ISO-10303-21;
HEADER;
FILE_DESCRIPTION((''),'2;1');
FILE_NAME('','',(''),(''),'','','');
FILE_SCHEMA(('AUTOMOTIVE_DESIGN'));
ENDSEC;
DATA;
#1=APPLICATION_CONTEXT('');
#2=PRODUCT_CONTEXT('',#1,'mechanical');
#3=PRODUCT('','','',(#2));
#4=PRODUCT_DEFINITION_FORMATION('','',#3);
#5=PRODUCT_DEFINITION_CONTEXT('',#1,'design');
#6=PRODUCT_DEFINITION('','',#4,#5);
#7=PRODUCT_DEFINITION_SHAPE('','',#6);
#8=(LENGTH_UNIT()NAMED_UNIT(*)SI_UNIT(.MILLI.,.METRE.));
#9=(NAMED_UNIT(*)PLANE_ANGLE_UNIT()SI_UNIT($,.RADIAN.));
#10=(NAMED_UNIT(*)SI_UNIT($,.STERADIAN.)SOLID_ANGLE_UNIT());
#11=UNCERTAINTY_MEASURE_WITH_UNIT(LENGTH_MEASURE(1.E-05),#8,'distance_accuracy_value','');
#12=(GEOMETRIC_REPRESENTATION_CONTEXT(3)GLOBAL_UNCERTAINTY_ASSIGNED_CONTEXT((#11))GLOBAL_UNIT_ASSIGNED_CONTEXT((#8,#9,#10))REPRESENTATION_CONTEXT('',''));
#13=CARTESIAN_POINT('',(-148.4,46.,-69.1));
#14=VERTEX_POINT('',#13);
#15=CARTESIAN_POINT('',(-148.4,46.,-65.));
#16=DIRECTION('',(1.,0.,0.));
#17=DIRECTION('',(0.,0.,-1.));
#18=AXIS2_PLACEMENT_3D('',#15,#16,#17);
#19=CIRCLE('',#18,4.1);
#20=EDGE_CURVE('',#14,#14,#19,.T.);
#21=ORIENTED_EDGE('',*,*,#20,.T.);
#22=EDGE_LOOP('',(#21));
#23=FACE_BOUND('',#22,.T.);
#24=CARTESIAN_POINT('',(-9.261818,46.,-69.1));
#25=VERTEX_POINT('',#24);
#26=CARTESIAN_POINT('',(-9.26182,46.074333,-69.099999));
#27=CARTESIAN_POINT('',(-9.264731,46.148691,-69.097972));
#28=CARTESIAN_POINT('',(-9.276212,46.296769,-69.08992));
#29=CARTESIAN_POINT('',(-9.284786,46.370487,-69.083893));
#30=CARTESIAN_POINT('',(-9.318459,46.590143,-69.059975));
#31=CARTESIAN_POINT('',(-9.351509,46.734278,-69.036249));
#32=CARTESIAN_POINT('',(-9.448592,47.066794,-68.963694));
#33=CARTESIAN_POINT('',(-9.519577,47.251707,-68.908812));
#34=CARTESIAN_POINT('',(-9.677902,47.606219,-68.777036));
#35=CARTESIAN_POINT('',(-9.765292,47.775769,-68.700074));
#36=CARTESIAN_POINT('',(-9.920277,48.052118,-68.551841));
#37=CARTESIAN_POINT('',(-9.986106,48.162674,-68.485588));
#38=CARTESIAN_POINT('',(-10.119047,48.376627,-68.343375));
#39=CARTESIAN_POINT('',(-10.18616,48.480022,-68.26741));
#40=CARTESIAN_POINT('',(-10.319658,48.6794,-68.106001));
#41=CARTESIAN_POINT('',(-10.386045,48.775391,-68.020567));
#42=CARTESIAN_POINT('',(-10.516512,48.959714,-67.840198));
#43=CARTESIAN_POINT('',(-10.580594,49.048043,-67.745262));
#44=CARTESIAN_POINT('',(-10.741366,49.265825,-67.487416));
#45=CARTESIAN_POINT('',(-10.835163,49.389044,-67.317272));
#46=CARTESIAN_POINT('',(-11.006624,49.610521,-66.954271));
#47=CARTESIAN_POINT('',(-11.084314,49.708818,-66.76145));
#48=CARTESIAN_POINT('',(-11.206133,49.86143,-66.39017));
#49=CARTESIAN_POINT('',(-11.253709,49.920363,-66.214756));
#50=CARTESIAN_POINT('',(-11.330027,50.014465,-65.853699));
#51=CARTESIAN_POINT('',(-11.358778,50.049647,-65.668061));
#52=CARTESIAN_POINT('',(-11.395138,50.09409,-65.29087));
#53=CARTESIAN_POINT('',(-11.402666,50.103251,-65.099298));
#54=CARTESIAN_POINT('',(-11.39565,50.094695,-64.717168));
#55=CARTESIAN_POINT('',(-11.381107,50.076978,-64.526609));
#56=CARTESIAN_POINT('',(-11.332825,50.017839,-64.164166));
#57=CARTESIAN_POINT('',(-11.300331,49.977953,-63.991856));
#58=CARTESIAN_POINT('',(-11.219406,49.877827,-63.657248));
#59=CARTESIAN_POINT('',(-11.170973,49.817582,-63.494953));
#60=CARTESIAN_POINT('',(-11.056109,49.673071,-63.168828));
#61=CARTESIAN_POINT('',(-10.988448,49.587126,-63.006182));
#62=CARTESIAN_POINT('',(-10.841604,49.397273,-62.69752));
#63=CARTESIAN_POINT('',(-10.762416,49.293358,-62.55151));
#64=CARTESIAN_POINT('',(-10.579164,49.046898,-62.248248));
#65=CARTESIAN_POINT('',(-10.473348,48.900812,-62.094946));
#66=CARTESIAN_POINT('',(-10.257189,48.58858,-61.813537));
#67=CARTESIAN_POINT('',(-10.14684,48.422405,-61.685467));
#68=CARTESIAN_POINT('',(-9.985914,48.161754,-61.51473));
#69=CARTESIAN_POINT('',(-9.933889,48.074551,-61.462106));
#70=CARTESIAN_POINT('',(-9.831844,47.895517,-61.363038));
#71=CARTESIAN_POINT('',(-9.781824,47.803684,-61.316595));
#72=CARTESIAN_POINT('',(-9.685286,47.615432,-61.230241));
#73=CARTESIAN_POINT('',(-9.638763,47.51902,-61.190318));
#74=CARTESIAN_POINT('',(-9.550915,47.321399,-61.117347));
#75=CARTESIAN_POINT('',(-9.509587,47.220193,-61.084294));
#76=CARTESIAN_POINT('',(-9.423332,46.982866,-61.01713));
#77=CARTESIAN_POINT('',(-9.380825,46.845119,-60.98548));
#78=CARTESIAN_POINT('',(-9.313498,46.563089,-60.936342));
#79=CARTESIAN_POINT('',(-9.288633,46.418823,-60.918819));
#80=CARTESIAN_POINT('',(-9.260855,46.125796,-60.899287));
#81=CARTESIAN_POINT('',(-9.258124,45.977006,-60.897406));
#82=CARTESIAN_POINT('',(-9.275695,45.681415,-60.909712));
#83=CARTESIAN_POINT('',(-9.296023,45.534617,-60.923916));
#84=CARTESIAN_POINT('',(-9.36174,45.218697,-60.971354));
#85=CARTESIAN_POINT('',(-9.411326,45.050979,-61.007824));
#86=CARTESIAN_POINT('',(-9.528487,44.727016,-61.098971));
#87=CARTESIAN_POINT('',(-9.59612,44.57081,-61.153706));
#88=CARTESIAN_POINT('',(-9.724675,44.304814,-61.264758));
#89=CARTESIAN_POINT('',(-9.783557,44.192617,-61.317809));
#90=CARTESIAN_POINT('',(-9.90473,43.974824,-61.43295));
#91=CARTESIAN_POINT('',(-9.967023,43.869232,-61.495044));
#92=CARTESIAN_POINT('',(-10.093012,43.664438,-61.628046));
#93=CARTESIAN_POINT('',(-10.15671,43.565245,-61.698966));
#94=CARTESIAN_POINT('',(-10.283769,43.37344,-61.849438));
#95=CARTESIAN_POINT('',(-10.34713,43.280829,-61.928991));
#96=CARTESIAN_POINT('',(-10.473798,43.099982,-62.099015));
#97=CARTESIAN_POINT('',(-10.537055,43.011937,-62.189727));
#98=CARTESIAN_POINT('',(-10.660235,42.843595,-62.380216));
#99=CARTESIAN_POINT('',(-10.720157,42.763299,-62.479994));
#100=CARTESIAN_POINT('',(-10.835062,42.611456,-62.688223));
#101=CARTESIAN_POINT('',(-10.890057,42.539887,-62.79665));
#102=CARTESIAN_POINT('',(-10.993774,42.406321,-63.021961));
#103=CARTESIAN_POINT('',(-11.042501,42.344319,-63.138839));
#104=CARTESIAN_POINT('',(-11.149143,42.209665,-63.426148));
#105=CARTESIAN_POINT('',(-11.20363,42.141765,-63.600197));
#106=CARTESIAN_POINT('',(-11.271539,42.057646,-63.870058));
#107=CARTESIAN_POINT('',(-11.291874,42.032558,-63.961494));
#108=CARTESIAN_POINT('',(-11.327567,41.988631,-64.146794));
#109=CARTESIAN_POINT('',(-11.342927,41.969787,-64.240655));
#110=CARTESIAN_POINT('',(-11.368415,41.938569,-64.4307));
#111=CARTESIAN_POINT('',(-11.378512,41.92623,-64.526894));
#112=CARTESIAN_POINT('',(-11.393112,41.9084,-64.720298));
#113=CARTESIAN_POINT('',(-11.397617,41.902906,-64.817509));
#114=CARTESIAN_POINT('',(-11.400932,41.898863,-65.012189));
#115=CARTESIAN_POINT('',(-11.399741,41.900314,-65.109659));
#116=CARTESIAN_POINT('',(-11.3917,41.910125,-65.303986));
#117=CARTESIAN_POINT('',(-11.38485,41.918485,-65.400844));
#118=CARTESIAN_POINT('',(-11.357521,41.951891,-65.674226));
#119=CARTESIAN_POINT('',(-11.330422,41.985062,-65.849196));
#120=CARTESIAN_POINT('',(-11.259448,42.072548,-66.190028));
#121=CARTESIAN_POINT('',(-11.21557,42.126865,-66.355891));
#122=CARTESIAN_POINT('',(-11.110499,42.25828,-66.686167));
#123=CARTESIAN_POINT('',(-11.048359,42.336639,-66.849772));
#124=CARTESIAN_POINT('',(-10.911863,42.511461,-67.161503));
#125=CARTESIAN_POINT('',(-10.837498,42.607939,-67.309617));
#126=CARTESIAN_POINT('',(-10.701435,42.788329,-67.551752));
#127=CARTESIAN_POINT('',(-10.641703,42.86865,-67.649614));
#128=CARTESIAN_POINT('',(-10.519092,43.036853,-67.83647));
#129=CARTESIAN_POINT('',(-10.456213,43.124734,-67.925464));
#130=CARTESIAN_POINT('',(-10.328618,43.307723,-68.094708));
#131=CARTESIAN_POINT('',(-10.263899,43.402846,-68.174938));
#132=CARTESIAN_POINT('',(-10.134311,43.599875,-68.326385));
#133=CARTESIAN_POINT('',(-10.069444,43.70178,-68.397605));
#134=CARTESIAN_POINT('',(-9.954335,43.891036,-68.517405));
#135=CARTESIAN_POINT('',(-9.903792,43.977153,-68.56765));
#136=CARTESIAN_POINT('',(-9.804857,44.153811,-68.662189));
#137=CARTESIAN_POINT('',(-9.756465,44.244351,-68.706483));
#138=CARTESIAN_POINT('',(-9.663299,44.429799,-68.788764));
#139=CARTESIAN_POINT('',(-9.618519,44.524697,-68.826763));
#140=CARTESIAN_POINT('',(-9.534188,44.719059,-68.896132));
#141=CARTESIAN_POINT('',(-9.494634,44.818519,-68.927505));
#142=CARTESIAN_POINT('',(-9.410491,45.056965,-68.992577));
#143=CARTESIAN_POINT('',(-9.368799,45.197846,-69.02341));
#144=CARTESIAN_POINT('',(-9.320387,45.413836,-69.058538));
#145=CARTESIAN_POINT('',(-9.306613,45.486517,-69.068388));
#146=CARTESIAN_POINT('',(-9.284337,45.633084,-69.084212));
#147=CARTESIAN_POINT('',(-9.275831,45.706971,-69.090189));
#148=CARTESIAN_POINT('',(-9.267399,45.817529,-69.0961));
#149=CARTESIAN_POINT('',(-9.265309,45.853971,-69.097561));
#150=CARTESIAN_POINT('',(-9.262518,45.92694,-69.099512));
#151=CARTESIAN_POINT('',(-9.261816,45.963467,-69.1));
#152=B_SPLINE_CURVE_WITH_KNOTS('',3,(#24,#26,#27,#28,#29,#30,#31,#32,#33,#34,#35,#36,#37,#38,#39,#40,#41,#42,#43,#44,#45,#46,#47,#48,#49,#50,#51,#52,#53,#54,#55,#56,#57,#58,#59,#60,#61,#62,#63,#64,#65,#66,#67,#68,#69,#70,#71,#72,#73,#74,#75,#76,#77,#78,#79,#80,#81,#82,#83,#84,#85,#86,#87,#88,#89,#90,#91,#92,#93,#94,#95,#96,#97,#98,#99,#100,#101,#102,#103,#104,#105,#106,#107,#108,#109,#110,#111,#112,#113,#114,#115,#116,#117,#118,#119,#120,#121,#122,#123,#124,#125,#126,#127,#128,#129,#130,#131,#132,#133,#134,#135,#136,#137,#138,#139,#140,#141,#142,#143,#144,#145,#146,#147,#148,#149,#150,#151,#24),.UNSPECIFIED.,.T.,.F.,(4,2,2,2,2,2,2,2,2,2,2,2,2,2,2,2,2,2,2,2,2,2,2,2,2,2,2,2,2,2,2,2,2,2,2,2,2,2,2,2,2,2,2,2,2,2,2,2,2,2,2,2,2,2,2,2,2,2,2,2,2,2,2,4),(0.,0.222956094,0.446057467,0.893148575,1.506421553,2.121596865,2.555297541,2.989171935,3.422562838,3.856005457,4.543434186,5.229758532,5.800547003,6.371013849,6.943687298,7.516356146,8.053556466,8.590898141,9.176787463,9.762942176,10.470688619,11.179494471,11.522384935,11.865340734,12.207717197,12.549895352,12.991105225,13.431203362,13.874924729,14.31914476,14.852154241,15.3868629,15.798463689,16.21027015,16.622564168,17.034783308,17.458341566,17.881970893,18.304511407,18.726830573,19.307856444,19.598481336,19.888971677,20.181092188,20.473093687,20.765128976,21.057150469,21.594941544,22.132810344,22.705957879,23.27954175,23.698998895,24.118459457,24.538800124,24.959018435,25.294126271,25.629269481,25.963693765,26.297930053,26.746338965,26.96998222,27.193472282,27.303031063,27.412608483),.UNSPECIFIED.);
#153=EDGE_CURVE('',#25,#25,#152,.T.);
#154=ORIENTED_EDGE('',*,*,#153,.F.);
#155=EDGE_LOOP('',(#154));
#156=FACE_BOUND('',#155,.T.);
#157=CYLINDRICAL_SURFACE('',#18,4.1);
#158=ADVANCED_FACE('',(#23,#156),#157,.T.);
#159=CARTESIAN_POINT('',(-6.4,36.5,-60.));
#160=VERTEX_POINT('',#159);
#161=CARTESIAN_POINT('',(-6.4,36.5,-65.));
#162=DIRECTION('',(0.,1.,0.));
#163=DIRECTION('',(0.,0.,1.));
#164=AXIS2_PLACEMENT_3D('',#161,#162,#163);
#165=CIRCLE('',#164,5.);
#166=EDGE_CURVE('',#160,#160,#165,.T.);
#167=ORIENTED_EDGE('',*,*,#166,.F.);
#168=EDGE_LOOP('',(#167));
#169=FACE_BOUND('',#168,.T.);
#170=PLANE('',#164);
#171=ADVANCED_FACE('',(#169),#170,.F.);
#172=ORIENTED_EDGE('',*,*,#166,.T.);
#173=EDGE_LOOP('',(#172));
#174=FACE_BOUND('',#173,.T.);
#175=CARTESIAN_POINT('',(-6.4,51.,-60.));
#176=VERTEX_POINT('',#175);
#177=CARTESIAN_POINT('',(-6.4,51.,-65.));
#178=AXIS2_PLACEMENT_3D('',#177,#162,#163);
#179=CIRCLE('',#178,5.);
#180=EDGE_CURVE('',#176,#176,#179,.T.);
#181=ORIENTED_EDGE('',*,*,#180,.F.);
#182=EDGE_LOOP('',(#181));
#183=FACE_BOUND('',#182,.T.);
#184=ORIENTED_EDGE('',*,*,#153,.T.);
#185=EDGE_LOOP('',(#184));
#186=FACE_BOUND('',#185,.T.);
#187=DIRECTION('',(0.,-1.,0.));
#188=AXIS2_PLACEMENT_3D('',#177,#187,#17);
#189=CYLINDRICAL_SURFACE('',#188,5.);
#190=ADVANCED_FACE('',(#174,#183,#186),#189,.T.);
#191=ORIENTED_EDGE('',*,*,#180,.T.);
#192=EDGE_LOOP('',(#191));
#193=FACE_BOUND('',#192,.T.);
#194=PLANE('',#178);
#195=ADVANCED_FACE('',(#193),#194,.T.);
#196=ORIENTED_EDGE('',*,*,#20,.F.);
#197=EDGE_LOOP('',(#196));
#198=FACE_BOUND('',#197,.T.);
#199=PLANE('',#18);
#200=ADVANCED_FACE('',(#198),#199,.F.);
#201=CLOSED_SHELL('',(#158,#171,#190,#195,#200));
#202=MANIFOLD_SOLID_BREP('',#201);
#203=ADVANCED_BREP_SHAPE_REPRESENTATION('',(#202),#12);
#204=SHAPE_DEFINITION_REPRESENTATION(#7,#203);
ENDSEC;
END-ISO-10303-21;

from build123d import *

# Parameters (mm, degrees)
BASE_START    = 36.5
BASE_SKETCH_R = 5
BASE_DEPTH    = 14.5
WHIP_START    = -6.4
WHIP_SKETCH_R = 4.1
WHIP_DEPTH    = 142


with BuildPart() as part:
    # Base Sketch → Base (new body)
    with BuildSketch(Plane(origin=(0, 0, 0), x_dir=(1, 0, 0), z_dir=(0, 1, 0)).offset(BASE_START)):
        with Locations((-6.4, 65)):
            Circle(BASE_SKETCH_R)
    extrude(amount=BASE_DEPTH)

    # Whip Sketch → Whip (add)
    with BuildSketch(Plane(origin=(0, 0, 0), x_dir=(0, 0, -1), z_dir=(1, 0, 0)).offset(WHIP_START)):
        with Locations((65, 46)):
            Circle(WHIP_SKETCH_R)
    extrude(amount=-WHIP_DEPTH)


solid = part.part
